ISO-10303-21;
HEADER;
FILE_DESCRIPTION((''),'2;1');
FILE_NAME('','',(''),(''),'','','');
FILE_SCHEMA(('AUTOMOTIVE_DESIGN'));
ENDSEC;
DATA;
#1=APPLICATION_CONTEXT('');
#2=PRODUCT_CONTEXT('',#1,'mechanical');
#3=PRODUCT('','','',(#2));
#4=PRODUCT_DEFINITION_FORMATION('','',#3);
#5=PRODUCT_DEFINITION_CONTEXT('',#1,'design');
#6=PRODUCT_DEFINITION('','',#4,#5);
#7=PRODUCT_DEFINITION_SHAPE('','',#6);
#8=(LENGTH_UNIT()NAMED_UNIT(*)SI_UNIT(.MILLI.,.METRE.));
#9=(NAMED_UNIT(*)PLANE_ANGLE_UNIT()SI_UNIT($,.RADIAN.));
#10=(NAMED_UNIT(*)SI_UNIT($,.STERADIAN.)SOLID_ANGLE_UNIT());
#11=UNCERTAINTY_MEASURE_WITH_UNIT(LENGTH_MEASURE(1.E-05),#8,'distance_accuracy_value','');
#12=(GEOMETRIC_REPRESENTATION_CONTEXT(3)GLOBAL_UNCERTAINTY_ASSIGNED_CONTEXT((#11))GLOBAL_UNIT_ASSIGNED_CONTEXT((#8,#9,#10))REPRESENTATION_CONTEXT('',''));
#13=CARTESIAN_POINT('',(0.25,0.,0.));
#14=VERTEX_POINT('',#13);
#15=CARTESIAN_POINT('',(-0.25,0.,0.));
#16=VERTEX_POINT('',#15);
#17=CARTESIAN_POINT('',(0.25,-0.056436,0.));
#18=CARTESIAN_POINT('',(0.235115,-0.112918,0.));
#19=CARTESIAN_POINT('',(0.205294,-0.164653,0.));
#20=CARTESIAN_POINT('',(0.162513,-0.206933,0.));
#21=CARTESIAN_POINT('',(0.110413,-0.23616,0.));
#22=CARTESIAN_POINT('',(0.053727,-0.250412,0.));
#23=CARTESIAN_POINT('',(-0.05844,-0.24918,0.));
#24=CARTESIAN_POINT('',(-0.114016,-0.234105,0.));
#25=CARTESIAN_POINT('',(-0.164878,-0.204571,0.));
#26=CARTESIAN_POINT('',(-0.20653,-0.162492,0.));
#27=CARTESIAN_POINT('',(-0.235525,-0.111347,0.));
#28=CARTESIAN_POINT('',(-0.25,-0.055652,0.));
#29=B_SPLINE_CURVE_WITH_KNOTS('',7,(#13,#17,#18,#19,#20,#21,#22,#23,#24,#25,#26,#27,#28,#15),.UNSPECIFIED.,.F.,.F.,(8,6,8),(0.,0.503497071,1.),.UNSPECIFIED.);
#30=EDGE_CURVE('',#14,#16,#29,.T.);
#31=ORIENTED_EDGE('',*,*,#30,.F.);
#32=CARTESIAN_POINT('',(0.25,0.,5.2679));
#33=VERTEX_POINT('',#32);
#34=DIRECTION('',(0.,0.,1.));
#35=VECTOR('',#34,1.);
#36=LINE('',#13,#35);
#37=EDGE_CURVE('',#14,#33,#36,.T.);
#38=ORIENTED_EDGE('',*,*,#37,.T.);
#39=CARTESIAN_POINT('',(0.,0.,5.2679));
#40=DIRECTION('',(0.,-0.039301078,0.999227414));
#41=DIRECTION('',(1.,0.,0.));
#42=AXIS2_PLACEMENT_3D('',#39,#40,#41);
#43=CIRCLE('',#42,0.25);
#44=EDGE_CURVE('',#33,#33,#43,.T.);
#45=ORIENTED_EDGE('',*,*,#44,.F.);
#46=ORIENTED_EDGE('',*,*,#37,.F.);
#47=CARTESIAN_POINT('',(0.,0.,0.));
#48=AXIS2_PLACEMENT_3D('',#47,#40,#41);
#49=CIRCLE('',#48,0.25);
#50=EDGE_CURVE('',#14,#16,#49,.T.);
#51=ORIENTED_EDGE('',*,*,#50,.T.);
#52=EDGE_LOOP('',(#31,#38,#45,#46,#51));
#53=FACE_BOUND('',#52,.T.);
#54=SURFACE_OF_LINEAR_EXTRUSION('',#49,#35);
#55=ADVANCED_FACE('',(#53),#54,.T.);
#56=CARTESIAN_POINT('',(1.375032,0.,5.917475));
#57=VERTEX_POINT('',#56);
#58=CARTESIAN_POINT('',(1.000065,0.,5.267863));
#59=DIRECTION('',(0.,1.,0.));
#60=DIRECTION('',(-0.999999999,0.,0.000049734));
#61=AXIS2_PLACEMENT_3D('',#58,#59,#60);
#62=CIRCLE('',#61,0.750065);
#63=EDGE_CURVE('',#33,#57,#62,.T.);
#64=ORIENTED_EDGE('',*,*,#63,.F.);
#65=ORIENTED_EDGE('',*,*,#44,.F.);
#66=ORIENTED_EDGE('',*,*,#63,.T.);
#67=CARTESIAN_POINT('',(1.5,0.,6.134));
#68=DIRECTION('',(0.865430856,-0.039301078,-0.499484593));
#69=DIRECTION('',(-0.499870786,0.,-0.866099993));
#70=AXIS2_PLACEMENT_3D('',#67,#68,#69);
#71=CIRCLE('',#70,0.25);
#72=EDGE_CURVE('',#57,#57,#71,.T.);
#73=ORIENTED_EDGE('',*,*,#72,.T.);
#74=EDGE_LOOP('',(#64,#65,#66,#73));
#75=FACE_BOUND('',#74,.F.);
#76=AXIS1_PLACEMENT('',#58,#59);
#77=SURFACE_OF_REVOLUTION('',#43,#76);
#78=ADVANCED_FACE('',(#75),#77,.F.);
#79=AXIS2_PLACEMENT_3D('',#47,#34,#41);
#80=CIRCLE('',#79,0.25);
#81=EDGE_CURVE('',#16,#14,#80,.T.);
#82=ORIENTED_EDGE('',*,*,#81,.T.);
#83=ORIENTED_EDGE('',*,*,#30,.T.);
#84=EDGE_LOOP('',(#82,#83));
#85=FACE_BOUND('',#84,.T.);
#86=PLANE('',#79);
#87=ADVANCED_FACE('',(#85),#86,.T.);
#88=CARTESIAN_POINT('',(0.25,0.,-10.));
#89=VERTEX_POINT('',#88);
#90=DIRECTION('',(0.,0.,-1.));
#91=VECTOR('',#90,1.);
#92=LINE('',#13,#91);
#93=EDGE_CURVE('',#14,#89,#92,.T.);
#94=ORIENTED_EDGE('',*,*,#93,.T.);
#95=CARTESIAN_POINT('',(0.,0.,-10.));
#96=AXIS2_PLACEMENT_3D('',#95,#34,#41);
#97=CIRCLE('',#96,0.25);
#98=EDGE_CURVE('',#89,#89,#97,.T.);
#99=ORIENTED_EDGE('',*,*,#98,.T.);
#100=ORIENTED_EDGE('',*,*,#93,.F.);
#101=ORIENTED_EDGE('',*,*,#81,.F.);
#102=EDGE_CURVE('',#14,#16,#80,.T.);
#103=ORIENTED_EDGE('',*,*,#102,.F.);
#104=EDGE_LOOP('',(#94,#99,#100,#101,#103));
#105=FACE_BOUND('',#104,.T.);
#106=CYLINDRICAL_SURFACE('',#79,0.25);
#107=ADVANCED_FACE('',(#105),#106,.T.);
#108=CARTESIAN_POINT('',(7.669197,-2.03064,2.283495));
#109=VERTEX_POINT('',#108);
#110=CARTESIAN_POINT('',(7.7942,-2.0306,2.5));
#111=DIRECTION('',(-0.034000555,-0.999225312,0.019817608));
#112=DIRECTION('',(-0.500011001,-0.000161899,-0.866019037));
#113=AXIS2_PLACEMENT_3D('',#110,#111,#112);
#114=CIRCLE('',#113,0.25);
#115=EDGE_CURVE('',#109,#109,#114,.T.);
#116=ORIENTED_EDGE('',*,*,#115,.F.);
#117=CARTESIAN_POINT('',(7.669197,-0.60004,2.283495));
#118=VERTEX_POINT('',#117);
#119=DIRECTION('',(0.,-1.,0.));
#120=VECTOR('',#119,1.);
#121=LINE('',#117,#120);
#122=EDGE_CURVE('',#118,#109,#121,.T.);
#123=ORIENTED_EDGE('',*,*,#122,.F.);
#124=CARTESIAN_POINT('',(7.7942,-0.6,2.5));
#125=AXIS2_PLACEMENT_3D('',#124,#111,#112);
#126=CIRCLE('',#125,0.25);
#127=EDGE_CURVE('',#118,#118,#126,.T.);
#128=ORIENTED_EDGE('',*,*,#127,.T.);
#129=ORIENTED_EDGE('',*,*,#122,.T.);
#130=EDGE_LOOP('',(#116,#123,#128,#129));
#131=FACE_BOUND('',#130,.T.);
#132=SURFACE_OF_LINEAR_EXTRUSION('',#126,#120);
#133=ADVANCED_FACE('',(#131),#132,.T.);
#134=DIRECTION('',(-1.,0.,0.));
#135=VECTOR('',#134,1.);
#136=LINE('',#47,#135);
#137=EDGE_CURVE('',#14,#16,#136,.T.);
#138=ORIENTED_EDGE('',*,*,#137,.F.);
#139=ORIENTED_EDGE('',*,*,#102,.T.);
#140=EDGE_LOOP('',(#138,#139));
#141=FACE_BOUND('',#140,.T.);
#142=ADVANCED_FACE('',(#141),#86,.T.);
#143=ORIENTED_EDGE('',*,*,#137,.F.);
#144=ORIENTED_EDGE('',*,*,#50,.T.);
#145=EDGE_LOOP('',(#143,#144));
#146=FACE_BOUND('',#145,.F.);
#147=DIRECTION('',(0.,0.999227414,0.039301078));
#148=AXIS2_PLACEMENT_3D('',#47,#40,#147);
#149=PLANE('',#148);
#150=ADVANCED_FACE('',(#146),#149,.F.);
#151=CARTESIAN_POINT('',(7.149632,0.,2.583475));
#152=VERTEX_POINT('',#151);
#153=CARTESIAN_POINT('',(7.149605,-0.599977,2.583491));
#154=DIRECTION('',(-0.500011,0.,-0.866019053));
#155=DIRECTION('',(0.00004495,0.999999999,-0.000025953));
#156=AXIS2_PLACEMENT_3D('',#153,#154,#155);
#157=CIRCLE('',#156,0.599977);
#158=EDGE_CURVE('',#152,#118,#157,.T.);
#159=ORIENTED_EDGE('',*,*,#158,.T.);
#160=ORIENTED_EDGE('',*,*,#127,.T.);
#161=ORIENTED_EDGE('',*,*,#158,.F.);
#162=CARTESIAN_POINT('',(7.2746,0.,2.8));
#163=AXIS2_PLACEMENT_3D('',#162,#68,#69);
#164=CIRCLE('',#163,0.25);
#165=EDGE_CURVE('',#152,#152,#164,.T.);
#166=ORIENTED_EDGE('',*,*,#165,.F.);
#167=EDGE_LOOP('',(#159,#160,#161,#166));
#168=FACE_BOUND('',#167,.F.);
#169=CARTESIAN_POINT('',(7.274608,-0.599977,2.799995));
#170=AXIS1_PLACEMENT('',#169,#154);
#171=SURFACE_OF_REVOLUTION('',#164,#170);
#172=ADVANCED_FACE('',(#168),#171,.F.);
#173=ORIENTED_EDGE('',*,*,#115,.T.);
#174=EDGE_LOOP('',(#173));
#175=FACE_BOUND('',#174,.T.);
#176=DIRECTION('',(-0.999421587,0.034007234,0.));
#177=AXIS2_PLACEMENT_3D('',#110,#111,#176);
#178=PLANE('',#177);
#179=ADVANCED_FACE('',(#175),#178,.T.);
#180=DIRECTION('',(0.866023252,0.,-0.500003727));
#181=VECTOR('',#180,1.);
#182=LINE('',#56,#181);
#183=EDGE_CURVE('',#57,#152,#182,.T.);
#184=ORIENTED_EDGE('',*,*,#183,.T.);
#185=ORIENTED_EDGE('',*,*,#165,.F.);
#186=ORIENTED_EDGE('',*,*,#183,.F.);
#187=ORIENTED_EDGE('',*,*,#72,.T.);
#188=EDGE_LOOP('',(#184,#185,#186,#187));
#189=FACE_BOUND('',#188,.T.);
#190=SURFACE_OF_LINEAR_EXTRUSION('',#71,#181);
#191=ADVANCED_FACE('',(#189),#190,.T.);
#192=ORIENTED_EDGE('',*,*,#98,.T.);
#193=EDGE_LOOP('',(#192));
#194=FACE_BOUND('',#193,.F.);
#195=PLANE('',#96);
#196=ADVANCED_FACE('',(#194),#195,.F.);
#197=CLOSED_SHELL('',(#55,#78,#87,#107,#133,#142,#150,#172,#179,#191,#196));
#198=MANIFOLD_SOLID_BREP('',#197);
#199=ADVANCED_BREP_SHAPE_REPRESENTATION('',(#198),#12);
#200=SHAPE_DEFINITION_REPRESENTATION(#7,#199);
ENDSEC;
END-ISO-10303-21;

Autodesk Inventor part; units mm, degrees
ref_plane "YZ Plane" through (0, 0, 0) normal (1, 0, 0) x (0, 1, 0)
ref_plane "XZ Plane" through (0, 0, 0) normal (0, 1, 0) x (-1, 0, 0)
ref_plane "Work Plane2" through (0, 0, 0) normal (0, -0.0393, 0.9992) x (1, 0, 0)
ref_plane "Work Plane3" through (0, 0, 0) normal (0, -0.9992, -0.0393) x (1, 0, 0)
sketch "Sketch2" plane through (0, 0, 0) normal (0, -0.0393, 0.9992) x (1, 0, 0)
  circle A0 centre (0, 0) radius 0.25
  circle A1 centre (0, 0) radius 0.25
  point P0 (0.25, 0)
  dimension "d10" = 0.5
sketch3d "3D Sketch2"
  line L0 (0, 0, 0) -> (0, 0, 5.2679)
  arc A0 (0, 0, 5.2679) -> (1.5, 0, 6.134) centre (1, 0, 5.2679) ccw
  line L1 (1.5, 0, 6.134) -> (7.2746, 0, 2.8)
  arc A1 (7.2746, 0, 2.8) -> (7.7942, -0.6, 2.5) centre (7.2746, -0.6, 2.8) ccw
  line L2 (7.7942, -0.6, 2.5) -> (7.7942, -2.0306, 2.5)
  dimension "d20" = 7
  dimension "d37" = 0.6
  dimension "d40" = 9
  dimension "d41" = 60
  dimension "d36" = 1
sweep "Sweep1" add profiles "Sketch2" path "3D Sketch2"
sketch "Sketch9" plane through (0, 0, 0) normal (0, 0, 1) x (1, 0, 0)
  circle A0 centre (0, 0) radius 0.25
  dimension "d42" = 0.5
extrude "Extrusion3" add sketch "Sketch9" against normal blind 10
properties part number "antenna_nitinol" material "BeCu"
